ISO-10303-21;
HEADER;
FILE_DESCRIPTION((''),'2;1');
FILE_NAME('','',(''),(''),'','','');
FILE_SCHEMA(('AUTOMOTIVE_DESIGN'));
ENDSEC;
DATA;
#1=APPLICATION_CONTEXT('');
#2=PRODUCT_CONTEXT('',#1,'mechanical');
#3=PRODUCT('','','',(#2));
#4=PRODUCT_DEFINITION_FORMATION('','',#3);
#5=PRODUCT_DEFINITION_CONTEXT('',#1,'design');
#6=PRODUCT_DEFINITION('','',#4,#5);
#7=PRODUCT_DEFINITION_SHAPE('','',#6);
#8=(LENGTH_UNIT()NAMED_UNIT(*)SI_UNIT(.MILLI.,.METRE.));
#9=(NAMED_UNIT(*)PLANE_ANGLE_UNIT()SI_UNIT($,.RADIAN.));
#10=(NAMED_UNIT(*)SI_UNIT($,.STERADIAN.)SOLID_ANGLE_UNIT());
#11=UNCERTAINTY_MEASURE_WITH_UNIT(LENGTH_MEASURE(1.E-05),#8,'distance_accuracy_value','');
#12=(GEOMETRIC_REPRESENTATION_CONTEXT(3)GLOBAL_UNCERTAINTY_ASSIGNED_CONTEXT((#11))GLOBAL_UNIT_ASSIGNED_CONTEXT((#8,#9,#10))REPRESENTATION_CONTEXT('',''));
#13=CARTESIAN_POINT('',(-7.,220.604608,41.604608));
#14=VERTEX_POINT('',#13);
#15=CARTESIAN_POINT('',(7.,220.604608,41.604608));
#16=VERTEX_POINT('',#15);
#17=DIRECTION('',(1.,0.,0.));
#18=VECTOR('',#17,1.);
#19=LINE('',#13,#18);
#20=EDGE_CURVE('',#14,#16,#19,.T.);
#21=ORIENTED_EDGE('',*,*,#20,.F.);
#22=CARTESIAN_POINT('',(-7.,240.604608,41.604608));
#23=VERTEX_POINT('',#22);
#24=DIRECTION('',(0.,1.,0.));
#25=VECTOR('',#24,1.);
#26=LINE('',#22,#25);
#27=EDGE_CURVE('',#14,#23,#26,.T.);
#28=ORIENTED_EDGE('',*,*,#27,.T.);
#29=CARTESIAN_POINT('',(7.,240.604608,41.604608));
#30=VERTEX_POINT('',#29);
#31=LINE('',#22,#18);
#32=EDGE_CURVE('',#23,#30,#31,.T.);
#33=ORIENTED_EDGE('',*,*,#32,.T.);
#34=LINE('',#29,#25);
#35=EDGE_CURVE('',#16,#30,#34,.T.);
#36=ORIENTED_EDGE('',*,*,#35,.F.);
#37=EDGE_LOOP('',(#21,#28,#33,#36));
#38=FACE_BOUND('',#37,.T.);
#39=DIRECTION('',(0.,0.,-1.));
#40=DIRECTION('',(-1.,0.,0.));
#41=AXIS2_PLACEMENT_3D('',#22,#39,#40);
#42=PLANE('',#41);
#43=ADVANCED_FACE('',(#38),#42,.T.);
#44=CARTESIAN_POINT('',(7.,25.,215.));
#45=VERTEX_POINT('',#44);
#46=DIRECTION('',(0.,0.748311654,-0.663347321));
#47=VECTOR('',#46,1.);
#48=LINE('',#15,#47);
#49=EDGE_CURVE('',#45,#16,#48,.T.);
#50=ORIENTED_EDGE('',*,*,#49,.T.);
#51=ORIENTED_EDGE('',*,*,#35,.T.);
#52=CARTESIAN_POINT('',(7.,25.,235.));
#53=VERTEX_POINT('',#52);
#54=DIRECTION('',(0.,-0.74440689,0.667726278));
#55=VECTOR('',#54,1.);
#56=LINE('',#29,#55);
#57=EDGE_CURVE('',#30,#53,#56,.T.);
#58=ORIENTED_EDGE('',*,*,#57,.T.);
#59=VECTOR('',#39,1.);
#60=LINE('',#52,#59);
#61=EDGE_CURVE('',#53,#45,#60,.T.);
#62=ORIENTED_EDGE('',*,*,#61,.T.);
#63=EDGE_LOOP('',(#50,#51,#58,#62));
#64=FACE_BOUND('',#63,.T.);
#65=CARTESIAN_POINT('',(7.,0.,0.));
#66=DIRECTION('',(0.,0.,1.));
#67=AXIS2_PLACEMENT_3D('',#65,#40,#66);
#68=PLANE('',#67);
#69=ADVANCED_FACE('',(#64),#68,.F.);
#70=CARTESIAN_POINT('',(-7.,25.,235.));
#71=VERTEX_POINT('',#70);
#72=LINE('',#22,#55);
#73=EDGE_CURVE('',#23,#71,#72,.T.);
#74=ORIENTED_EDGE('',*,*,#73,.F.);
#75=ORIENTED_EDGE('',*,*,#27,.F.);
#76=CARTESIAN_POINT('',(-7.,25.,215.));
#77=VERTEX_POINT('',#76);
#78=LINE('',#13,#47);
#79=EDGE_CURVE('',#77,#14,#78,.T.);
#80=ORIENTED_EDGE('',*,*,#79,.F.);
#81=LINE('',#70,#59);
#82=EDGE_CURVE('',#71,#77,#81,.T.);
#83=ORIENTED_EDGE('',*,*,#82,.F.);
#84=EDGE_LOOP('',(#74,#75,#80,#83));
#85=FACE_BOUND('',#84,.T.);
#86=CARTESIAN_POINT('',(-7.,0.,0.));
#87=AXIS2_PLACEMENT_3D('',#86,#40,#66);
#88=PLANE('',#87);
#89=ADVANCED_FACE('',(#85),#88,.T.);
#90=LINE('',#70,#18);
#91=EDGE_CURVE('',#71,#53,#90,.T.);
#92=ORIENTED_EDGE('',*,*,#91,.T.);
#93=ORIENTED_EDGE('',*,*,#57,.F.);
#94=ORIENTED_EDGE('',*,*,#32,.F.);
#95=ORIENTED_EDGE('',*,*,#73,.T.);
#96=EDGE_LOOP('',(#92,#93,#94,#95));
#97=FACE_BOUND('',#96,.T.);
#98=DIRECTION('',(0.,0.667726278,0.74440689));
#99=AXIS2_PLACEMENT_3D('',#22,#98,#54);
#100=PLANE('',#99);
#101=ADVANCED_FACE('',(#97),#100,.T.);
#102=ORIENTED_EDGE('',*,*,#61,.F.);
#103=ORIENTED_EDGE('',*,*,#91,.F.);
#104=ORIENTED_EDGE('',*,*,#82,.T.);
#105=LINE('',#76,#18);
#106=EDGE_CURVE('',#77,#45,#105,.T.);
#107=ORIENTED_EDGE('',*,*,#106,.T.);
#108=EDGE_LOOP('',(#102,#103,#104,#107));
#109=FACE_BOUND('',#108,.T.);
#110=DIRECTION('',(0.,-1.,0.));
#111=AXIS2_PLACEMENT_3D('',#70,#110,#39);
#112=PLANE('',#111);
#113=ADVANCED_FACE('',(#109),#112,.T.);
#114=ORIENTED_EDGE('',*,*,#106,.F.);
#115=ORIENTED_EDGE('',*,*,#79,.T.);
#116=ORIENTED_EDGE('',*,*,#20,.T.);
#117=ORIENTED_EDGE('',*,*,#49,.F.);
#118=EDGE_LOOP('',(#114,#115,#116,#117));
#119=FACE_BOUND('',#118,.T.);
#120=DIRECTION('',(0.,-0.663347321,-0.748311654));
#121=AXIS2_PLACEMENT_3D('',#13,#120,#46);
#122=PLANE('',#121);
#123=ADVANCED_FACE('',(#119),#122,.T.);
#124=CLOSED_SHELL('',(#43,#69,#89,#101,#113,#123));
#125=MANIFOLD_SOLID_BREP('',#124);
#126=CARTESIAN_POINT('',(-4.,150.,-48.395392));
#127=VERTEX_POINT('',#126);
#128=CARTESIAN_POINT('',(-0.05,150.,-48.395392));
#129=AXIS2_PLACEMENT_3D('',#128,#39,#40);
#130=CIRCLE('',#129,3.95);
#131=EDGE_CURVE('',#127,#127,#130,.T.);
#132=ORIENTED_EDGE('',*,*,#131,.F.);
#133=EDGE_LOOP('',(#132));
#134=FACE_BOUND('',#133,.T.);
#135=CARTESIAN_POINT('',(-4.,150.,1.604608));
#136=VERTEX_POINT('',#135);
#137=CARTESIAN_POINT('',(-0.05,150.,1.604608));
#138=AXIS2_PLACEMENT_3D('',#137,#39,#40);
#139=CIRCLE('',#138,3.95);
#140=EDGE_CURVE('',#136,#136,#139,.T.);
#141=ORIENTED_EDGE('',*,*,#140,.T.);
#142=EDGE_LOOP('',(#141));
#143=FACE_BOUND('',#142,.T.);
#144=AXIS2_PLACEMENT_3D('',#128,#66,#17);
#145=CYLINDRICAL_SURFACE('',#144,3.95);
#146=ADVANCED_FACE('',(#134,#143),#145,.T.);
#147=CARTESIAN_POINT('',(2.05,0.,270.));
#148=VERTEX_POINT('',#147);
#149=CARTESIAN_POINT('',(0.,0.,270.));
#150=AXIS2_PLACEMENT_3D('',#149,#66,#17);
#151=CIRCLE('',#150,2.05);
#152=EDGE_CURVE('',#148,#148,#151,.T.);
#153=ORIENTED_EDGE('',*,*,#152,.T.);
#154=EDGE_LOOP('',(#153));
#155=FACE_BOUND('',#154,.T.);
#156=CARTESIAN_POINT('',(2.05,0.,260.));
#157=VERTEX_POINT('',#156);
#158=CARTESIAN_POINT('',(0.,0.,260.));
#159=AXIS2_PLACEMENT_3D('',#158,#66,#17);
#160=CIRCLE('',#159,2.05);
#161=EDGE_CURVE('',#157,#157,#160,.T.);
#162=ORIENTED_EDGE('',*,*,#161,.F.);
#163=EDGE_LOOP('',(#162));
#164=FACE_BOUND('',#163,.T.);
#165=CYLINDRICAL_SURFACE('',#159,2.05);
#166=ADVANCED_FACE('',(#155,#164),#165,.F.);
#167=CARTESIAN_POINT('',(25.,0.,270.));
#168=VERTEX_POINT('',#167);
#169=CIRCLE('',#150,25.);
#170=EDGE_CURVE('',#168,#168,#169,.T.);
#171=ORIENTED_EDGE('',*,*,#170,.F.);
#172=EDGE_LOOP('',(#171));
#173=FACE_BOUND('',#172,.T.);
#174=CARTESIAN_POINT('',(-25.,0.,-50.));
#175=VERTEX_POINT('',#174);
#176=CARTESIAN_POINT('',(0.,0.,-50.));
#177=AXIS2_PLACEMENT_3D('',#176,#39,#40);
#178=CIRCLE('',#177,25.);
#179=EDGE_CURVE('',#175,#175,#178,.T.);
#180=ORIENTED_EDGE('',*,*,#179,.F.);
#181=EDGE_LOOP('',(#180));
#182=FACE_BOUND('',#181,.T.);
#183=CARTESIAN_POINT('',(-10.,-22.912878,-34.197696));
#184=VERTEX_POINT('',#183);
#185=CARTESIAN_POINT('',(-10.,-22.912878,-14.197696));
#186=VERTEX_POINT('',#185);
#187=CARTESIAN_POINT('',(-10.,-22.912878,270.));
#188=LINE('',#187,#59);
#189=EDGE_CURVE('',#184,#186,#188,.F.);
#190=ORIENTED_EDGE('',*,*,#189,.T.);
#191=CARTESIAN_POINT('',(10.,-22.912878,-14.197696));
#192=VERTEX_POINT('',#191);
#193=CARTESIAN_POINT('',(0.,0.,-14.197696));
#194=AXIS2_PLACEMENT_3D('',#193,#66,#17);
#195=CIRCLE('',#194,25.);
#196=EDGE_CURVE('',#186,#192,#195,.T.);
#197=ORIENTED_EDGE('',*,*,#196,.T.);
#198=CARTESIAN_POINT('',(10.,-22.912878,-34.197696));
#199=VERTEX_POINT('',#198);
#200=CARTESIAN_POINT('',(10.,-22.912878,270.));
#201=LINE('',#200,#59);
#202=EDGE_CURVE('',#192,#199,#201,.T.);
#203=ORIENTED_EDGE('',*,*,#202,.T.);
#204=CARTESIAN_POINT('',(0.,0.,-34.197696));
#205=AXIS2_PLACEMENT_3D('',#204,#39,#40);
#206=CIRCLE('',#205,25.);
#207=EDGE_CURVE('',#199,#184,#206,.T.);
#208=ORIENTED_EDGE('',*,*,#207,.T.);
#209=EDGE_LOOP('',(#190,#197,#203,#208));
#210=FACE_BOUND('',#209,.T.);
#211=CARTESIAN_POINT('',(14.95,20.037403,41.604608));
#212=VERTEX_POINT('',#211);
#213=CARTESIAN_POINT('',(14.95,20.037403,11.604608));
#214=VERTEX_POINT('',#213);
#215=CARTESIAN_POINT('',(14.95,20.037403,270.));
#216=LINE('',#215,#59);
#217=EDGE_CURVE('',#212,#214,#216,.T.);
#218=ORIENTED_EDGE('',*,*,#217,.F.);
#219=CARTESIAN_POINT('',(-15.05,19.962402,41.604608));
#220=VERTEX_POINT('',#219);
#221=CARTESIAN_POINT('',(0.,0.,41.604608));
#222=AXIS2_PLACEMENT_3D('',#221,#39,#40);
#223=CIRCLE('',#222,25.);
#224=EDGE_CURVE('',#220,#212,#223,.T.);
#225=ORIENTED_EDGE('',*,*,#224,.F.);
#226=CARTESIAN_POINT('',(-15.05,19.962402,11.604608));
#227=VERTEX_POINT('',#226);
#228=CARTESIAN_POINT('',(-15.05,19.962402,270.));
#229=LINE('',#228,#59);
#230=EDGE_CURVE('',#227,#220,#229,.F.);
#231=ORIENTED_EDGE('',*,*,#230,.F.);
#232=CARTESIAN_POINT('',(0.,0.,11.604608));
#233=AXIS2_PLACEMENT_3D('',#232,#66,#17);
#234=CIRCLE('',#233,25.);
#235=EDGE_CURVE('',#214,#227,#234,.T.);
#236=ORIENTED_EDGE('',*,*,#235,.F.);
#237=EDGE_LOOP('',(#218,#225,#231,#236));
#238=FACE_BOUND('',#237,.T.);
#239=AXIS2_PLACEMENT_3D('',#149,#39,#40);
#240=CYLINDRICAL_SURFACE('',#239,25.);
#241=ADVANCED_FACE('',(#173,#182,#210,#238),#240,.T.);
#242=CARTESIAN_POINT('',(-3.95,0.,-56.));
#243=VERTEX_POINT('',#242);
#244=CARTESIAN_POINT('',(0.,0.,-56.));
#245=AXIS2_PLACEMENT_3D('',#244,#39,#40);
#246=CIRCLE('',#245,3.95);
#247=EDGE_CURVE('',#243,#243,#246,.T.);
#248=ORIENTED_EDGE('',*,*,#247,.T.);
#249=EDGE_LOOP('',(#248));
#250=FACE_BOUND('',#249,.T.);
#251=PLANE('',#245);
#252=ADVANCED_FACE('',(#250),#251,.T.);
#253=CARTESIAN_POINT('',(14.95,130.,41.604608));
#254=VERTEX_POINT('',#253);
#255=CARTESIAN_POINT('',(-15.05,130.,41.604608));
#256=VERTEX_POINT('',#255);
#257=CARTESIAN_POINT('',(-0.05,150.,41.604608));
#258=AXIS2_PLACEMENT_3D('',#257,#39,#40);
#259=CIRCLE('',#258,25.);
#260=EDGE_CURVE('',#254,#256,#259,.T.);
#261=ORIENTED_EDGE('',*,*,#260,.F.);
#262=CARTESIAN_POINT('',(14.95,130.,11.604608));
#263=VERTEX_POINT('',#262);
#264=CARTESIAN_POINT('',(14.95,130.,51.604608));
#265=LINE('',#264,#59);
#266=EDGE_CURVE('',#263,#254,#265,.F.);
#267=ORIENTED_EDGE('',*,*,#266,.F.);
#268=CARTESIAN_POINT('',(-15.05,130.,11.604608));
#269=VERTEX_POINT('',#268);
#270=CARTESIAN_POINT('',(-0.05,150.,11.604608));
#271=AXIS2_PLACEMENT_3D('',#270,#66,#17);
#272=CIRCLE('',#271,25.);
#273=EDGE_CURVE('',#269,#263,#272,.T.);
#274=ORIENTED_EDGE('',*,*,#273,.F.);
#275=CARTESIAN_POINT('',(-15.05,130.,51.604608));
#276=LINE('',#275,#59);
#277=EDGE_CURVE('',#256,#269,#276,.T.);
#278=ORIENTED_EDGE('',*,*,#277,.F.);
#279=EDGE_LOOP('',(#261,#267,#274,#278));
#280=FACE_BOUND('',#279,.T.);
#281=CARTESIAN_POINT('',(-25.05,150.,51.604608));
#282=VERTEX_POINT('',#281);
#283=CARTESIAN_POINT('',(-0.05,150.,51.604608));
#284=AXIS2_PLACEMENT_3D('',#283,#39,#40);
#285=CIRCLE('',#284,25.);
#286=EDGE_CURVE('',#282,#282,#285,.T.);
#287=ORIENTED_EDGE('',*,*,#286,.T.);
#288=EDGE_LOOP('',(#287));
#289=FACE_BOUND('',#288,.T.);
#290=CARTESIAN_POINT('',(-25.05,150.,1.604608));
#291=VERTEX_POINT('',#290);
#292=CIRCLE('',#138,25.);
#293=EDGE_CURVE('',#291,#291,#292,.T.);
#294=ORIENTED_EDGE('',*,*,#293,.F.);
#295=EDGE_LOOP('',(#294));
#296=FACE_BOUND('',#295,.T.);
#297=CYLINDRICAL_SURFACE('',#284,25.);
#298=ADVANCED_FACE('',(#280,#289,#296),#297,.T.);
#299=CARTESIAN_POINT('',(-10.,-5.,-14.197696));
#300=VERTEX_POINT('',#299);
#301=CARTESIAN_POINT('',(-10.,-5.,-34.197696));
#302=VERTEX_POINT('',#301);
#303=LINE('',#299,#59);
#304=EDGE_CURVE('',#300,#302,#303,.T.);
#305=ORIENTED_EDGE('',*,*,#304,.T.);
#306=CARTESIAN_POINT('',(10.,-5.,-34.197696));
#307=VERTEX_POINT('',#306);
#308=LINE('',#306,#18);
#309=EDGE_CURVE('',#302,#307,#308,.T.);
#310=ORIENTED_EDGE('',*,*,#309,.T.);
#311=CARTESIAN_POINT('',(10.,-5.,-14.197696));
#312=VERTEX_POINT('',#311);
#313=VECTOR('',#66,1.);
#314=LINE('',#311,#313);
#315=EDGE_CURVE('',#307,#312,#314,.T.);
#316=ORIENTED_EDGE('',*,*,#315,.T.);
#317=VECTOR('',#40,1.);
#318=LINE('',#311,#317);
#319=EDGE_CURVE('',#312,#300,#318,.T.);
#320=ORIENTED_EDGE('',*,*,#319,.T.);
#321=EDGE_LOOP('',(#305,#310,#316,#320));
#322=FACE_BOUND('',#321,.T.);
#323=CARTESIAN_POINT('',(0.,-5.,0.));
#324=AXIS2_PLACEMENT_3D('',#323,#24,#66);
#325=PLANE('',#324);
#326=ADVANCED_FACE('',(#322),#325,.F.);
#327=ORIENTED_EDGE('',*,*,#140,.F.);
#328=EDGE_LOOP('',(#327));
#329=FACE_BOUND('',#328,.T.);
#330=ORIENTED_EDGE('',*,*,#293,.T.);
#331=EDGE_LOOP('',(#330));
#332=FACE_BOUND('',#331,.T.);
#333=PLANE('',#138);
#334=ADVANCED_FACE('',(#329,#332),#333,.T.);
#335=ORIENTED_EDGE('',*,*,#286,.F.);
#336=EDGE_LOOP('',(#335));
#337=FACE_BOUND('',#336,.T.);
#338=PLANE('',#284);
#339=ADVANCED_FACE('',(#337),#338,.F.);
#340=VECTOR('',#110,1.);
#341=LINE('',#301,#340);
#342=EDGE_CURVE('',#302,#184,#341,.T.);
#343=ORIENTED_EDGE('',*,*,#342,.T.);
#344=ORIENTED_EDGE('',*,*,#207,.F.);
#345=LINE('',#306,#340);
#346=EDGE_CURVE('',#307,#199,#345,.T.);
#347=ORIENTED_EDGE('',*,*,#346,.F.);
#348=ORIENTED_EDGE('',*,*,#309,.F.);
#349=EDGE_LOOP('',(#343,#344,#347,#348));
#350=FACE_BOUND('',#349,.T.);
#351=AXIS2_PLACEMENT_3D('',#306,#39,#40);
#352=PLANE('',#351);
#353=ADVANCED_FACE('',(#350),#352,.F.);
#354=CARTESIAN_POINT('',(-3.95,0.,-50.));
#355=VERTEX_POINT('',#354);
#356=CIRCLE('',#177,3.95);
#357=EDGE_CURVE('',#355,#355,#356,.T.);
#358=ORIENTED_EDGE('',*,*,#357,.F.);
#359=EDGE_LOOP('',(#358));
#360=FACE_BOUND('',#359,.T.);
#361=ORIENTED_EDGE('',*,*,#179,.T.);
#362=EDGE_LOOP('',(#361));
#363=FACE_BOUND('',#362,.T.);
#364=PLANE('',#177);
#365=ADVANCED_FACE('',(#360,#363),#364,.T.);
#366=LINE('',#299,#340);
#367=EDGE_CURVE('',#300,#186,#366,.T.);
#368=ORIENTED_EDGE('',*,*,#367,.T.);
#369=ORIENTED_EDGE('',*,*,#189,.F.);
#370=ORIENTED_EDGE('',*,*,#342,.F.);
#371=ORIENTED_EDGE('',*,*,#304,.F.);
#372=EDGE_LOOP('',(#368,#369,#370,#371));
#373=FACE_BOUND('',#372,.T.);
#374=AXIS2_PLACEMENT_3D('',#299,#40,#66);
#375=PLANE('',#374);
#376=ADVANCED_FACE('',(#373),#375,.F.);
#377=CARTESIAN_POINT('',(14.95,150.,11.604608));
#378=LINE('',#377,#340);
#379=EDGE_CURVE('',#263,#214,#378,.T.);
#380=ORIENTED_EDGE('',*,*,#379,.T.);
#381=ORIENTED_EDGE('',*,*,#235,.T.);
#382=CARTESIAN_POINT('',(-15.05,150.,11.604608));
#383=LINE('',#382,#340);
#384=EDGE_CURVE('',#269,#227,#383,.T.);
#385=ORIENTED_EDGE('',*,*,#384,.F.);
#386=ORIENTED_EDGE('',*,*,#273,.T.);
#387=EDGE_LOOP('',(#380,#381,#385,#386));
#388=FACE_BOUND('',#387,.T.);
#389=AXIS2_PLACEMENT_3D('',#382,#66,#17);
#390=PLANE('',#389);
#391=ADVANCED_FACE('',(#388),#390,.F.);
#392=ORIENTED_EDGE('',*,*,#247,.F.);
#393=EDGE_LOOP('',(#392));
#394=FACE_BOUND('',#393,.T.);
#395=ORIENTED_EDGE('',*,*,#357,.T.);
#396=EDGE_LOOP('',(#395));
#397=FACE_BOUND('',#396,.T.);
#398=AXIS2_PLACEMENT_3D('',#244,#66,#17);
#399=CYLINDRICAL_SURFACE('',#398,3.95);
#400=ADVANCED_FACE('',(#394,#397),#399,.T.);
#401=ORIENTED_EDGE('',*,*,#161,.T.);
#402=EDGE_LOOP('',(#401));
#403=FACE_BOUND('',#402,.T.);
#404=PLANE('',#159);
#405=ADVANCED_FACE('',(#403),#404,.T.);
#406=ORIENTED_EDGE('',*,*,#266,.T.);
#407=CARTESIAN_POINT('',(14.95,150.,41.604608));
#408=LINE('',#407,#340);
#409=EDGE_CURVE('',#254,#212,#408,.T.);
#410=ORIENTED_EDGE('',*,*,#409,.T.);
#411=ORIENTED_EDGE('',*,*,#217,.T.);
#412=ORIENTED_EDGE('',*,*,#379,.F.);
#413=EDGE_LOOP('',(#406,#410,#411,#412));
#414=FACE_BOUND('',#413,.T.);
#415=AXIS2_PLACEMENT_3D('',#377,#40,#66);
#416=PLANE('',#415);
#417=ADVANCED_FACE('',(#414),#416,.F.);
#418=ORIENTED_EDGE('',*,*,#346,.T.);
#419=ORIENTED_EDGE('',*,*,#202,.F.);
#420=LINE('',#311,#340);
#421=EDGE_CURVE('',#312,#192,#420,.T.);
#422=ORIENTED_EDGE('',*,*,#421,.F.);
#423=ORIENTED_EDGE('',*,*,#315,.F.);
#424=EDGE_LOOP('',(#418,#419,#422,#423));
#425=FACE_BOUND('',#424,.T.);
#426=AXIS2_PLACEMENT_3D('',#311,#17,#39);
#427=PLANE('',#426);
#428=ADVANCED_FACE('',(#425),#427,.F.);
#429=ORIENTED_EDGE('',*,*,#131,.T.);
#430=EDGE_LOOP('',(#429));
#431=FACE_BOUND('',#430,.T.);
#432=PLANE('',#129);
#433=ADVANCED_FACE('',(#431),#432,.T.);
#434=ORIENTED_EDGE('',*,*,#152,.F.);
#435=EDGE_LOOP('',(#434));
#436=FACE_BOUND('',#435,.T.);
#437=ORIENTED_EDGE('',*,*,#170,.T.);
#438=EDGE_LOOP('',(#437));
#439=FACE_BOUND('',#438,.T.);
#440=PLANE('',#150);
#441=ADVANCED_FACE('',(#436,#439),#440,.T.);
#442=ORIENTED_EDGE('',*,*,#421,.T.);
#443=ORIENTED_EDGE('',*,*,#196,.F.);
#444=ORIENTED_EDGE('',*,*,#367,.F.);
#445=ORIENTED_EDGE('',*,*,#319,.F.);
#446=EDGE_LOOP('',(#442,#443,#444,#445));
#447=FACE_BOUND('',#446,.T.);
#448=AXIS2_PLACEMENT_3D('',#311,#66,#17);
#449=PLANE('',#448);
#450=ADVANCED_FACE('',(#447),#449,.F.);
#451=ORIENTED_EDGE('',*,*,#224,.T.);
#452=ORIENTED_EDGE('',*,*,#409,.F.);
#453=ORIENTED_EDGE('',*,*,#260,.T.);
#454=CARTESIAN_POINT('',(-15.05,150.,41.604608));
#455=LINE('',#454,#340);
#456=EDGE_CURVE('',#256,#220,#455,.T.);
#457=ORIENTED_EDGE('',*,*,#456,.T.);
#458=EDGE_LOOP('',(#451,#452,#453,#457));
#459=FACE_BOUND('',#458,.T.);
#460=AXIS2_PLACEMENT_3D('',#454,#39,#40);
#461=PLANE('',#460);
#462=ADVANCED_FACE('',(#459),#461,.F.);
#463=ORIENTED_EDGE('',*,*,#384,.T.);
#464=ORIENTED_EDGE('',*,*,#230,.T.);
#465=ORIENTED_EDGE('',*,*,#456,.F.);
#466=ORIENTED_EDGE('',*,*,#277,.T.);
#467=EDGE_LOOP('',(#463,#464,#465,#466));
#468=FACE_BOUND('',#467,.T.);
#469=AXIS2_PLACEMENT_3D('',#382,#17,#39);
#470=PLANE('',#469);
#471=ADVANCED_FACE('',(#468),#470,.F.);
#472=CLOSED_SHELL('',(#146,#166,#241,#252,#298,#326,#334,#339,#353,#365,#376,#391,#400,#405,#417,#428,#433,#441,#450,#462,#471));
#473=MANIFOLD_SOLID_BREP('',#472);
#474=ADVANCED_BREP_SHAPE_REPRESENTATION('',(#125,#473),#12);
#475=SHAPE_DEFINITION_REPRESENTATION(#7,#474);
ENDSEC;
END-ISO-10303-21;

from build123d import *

# Parameters (mm, degrees)
CROQUIS1_R                    = 25
SALIENTE_EXTRUIR1_DEPTH       = 270
CROQUIS2_W                    = 30
CROQUIS2_H                    = 30
SALIENTE_EXTRUIR13_DEPTH      = 150
SALIENTE_EXTRUIR14_DEPTH      = 10
SALIENTE_EXTRUIR14_DEPTH_BACK = 40
CROQUIS14_R                   = 25
SALIENTE_EXTRUIR15_DEPTH      = 7
SALIENTE_EXTRUIR15_DEPTH_BACK = 7
SALIENTE_EXTRUIR16_START      = 50
CROQUIS17_R                   = 25
SALIENTE_EXTRUIR16_DEPTH      = 50
CROQUIS19_R                   = 3.95
SALIENTE_EXTRUIR17_DEPTH      = 50
CROQUIS20_R                   = 3.95
SALIENTE_EXTRUIR18_DEPTH      = 6
CROQUIS21_R                   = 2.05
CORTAR_EXTRUIR2_DEPTH         = 10
CROQUIS22_W                   = 20
CROQUIS22_H                   = 20
CORTAR_EXTRUIR3_DEPTH         = 20


with BuildPart() as part:
    # Croquis1 → Saliente-Extruir1 (new body)
    with BuildSketch(Plane.XY):
        Circle(CROQUIS1_R)
    extrude(amount=SALIENTE_EXTRUIR1_DEPTH)

    # Croquis2 → Saliente-Extruir13 (add)
    with BuildSketch(Plane(origin=(0, 0, 0), x_dir=(1, 0, 0), z_dir=(0, 1, 0))):
        with Locations((-0.05, -26.604607898)):
            Rectangle(CROQUIS2_W, CROQUIS2_H)
    extrude(amount=SALIENTE_EXTRUIR13_DEPTH)

    # Croquis14 → Saliente-Extruir14 (add, two sides: drawn at the far end of the back side and taken through both)
    with BuildSketch(Plane(origin=(0, 0, 11.604607898), x_dir=(-1, 0, 0), z_dir=(0, 0, -1)).offset(-SALIENTE_EXTRUIR14_DEPTH_BACK)):
        with Locations((0.05, 150)):
            Circle(CROQUIS14_R)
    extrude(amount=SALIENTE_EXTRUIR14_DEPTH + SALIENTE_EXTRUIR14_DEPTH_BACK)

    # Croquis17 → Saliente-Extruir16 (add)
    with BuildSketch(Plane(origin=(0, 0, 0), x_dir=(-1, 0, 0), z_dir=(0, 0, -1)).offset(SALIENTE_EXTRUIR16_START)):
        Circle(CROQUIS17_R)
    extrude(amount=-SALIENTE_EXTRUIR16_DEPTH)

    # Croquis19 → Saliente-Extruir17 (add)
    with BuildSketch(Plane(origin=(0, 0, 1.604607898), x_dir=(-1, 0, 0), z_dir=(0, 0, -1))):
        with Locations((0.05, 150)):
            Circle(CROQUIS19_R)
    extrude(amount=SALIENTE_EXTRUIR17_DEPTH)

    # Croquis20 → Saliente-Extruir18 (add)
    with BuildSketch(Plane(origin=(0, 0, -50), x_dir=(-1, 0, 0), z_dir=(0, 0, -1))):
        Circle(CROQUIS20_R)
    extrude(amount=SALIENTE_EXTRUIR18_DEPTH)

    # Croquis21 → Cortar-Extruir2 (cut)
    with BuildSketch(Plane.XY.offset(270)):
        Circle(CROQUIS21_R)
    extrude(amount=-CORTAR_EXTRUIR2_DEPTH, mode=Mode.SUBTRACT)

    # Croquis22 → Cortar-Extruir3 (cut)
    with BuildSketch(Plane(origin=(0, -25, 0), x_dir=(-1, 0, 0), z_dir=(0, -1, 0))):
        with Locations((0, 24.197696051)):
            Rectangle(CROQUIS22_W, CROQUIS22_H)
    extrude(amount=-CORTAR_EXTRUIR3_DEPTH, mode=Mode.SUBTRACT)


with BuildPart() as body_2:
    # Croquis15 → Saliente-Extruir15 (new, two sides: drawn at the far end of the back side and taken through both)
    with BuildSketch(Plane(origin=(0, 0, 0), x_dir=(0, 0, -1), z_dir=(1, 0, 0)).offset(-SALIENTE_EXTRUIR15_DEPTH_BACK)):
        Polygon((-41.604607898, 240.604607898), (-235, 25), (-215, 25), (-41.604607898, 220.604607898), align=None)
    extrude(amount=SALIENTE_EXTRUIR15_DEPTH + SALIENTE_EXTRUIR15_DEPTH_BACK)


solid = Compound([part.part, body_2.part])
